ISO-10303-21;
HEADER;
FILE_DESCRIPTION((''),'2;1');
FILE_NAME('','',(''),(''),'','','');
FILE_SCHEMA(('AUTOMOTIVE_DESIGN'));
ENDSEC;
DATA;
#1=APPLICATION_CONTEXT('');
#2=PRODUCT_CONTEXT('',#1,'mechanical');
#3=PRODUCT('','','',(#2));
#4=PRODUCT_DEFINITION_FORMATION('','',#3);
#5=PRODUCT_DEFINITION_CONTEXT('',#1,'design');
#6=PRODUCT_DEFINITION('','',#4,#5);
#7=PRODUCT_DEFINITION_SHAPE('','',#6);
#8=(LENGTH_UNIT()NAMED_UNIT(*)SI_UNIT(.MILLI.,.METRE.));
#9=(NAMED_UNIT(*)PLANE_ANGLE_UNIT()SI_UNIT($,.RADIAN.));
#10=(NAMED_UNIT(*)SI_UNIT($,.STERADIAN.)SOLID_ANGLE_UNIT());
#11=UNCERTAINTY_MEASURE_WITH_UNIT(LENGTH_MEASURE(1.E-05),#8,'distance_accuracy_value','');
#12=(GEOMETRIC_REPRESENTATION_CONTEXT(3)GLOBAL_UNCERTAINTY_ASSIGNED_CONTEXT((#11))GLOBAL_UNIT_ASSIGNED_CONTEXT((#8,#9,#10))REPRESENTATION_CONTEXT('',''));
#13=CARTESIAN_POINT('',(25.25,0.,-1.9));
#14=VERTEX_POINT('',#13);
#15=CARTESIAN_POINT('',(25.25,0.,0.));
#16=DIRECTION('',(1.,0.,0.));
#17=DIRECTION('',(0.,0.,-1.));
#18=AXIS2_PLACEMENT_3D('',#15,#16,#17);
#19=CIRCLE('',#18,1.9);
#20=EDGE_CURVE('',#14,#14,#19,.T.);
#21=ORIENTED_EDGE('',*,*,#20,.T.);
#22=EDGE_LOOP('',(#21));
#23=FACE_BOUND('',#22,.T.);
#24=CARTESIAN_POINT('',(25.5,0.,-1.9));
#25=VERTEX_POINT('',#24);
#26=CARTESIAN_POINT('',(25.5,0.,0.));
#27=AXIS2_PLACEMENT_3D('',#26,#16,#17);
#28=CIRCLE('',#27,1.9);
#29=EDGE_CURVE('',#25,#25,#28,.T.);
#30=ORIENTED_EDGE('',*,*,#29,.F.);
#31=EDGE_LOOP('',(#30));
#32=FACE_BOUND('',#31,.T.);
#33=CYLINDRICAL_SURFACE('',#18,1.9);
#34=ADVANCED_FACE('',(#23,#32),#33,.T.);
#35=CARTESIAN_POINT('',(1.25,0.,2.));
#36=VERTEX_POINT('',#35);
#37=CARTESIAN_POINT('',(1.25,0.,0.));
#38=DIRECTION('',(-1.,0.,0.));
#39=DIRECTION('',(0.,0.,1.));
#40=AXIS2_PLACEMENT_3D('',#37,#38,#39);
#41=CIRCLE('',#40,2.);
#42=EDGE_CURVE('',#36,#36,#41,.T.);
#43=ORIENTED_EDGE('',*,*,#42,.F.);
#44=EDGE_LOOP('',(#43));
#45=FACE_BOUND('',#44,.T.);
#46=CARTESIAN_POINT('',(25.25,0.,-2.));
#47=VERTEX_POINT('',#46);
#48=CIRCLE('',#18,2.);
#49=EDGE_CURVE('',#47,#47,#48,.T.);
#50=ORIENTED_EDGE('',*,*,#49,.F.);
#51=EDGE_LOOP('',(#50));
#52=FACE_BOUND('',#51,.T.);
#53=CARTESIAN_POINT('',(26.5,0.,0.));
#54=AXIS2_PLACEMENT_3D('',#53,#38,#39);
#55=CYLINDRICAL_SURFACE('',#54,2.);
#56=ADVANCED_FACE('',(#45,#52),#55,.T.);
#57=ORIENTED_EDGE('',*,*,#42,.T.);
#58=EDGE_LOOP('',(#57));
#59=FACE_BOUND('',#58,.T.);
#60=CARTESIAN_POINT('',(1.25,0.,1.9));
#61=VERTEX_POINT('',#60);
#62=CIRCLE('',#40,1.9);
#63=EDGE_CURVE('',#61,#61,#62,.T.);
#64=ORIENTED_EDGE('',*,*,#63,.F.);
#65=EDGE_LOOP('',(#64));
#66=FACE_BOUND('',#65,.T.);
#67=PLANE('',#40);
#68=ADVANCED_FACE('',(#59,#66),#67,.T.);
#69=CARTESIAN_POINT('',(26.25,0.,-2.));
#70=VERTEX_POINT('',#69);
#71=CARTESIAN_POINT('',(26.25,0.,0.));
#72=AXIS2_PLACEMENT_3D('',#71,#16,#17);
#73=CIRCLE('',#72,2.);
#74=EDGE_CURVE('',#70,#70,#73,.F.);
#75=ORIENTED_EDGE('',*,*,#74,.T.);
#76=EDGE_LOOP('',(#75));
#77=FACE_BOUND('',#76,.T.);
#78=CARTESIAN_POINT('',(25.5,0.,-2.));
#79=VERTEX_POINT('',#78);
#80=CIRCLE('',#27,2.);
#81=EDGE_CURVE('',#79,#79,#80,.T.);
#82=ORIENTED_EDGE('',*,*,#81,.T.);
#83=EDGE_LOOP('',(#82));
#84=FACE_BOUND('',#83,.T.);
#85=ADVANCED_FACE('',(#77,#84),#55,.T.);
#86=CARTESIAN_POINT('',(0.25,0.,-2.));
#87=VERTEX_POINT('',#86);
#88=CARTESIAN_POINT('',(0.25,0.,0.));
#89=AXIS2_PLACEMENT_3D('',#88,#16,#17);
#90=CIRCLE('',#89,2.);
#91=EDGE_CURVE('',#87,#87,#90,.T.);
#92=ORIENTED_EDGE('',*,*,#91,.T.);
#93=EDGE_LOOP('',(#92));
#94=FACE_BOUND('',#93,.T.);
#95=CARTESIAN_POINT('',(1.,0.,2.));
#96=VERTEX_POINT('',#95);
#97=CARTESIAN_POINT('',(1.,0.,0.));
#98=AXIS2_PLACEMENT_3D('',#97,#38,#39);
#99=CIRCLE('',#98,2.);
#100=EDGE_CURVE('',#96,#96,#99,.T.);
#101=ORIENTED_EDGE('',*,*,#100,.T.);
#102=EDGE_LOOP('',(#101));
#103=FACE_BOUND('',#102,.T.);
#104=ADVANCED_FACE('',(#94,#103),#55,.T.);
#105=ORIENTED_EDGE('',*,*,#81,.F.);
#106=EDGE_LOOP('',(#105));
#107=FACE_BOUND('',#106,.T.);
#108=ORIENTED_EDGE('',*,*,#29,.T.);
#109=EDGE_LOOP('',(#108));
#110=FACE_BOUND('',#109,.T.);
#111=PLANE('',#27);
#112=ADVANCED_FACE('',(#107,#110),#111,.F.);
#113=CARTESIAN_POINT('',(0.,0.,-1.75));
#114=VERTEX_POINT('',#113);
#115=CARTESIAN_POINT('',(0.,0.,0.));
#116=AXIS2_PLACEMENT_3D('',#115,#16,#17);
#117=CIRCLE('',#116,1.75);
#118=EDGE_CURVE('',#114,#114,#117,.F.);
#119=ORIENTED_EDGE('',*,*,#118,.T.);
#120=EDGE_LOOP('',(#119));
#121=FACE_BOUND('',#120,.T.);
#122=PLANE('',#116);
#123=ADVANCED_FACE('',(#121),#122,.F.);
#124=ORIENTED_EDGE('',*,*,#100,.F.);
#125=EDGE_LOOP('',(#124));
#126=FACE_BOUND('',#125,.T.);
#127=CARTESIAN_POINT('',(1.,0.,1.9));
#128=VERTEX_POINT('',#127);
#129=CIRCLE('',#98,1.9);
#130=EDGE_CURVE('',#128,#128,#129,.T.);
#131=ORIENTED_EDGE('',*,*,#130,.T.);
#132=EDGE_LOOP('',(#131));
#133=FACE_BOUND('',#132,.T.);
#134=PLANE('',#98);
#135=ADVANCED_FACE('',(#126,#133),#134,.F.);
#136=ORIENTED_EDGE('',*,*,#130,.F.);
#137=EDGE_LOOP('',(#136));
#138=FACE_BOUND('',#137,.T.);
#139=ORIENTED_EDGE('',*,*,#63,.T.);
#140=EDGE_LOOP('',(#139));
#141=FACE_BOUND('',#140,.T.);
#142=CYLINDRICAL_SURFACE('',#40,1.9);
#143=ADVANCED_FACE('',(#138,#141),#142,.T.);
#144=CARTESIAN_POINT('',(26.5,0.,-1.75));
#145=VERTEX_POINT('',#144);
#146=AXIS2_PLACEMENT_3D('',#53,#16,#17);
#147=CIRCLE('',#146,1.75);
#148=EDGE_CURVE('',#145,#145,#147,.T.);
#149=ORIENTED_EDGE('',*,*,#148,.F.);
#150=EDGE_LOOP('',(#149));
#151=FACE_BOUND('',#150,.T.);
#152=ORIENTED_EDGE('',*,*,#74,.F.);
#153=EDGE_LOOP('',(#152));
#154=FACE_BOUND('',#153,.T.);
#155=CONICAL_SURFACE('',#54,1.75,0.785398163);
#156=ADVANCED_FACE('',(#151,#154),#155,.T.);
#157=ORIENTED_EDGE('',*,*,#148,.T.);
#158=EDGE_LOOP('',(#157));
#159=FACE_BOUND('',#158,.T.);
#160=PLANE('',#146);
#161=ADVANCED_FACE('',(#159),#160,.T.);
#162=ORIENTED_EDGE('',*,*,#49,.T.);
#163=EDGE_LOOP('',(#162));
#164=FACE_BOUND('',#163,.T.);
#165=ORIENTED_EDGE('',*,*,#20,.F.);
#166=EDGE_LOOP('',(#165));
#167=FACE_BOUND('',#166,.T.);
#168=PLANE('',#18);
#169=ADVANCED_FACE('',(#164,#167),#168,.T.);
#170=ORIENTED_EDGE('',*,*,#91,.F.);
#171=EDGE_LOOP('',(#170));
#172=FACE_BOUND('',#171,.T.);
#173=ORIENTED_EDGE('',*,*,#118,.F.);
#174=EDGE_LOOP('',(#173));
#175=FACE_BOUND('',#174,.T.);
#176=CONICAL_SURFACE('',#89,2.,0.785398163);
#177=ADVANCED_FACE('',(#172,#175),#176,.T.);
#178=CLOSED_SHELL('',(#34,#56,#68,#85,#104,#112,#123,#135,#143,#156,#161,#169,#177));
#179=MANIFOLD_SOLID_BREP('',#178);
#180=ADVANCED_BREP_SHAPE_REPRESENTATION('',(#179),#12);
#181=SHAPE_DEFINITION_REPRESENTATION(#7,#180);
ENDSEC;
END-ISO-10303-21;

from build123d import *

# Parameters (mm, degrees)
SKETCH1_R           = 2
BOSS_EXTRUDE1_DEPTH = 26.5
CUT_EXTRUDE2_START  = -1
SKETCH2_R           = 2.498108329
SKETCH2_R_2         = 1.9
CUT_EXTRUDE2_DEPTH  = 0.25
CUT_EXTRUDE3_START  = -1.25
SKETCH3_R           = 2.5
SKETCH3_R_2         = 1.9
CUT_EXTRUDE3_DEPTH  = 0.25
CHAMFER1_SIZE       = 0.25


with BuildPart() as part:
    # Sketch1 → Boss-Extrude1 (new body)
    with BuildSketch(Plane(origin=(0, 0, 0), x_dir=(0, 0, -1), z_dir=(1, 0, 0))):
        Circle(SKETCH1_R)
    extrude(amount=BOSS_EXTRUDE1_DEPTH)

    # Sketch2 → Cut-Extrude2 (cut)
    with BuildSketch(Plane(origin=(26.5, 0, 0), x_dir=(0, 0, -1), z_dir=(1, 0, 0)).offset(CUT_EXTRUDE2_START)):
        Circle(SKETCH2_R)
        Circle(SKETCH2_R_2, mode=Mode.SUBTRACT)
    extrude(amount=-CUT_EXTRUDE2_DEPTH, mode=Mode.SUBTRACT)

    # Sketch3 → Cut-Extrude3 (cut)
    with BuildSketch(Plane.ZY.offset(CUT_EXTRUDE3_START)):
        Circle(SKETCH3_R)
        with Locations(Location((0, 0, 0), (0, 0, 180))):
            Circle(SKETCH3_R_2, mode=Mode.SUBTRACT)
    extrude(amount=CUT_EXTRUDE3_DEPTH, mode=Mode.SUBTRACT)

    # Chamfer1
    chamfer1_edges = [part.edges().sort_by_distance(p)[0] for p in [
        (0, 0, 2),
        (26.5, 0, 2),
    ]]
    chamfer(chamfer1_edges, length=CHAMFER1_SIZE)


solid = part.part
